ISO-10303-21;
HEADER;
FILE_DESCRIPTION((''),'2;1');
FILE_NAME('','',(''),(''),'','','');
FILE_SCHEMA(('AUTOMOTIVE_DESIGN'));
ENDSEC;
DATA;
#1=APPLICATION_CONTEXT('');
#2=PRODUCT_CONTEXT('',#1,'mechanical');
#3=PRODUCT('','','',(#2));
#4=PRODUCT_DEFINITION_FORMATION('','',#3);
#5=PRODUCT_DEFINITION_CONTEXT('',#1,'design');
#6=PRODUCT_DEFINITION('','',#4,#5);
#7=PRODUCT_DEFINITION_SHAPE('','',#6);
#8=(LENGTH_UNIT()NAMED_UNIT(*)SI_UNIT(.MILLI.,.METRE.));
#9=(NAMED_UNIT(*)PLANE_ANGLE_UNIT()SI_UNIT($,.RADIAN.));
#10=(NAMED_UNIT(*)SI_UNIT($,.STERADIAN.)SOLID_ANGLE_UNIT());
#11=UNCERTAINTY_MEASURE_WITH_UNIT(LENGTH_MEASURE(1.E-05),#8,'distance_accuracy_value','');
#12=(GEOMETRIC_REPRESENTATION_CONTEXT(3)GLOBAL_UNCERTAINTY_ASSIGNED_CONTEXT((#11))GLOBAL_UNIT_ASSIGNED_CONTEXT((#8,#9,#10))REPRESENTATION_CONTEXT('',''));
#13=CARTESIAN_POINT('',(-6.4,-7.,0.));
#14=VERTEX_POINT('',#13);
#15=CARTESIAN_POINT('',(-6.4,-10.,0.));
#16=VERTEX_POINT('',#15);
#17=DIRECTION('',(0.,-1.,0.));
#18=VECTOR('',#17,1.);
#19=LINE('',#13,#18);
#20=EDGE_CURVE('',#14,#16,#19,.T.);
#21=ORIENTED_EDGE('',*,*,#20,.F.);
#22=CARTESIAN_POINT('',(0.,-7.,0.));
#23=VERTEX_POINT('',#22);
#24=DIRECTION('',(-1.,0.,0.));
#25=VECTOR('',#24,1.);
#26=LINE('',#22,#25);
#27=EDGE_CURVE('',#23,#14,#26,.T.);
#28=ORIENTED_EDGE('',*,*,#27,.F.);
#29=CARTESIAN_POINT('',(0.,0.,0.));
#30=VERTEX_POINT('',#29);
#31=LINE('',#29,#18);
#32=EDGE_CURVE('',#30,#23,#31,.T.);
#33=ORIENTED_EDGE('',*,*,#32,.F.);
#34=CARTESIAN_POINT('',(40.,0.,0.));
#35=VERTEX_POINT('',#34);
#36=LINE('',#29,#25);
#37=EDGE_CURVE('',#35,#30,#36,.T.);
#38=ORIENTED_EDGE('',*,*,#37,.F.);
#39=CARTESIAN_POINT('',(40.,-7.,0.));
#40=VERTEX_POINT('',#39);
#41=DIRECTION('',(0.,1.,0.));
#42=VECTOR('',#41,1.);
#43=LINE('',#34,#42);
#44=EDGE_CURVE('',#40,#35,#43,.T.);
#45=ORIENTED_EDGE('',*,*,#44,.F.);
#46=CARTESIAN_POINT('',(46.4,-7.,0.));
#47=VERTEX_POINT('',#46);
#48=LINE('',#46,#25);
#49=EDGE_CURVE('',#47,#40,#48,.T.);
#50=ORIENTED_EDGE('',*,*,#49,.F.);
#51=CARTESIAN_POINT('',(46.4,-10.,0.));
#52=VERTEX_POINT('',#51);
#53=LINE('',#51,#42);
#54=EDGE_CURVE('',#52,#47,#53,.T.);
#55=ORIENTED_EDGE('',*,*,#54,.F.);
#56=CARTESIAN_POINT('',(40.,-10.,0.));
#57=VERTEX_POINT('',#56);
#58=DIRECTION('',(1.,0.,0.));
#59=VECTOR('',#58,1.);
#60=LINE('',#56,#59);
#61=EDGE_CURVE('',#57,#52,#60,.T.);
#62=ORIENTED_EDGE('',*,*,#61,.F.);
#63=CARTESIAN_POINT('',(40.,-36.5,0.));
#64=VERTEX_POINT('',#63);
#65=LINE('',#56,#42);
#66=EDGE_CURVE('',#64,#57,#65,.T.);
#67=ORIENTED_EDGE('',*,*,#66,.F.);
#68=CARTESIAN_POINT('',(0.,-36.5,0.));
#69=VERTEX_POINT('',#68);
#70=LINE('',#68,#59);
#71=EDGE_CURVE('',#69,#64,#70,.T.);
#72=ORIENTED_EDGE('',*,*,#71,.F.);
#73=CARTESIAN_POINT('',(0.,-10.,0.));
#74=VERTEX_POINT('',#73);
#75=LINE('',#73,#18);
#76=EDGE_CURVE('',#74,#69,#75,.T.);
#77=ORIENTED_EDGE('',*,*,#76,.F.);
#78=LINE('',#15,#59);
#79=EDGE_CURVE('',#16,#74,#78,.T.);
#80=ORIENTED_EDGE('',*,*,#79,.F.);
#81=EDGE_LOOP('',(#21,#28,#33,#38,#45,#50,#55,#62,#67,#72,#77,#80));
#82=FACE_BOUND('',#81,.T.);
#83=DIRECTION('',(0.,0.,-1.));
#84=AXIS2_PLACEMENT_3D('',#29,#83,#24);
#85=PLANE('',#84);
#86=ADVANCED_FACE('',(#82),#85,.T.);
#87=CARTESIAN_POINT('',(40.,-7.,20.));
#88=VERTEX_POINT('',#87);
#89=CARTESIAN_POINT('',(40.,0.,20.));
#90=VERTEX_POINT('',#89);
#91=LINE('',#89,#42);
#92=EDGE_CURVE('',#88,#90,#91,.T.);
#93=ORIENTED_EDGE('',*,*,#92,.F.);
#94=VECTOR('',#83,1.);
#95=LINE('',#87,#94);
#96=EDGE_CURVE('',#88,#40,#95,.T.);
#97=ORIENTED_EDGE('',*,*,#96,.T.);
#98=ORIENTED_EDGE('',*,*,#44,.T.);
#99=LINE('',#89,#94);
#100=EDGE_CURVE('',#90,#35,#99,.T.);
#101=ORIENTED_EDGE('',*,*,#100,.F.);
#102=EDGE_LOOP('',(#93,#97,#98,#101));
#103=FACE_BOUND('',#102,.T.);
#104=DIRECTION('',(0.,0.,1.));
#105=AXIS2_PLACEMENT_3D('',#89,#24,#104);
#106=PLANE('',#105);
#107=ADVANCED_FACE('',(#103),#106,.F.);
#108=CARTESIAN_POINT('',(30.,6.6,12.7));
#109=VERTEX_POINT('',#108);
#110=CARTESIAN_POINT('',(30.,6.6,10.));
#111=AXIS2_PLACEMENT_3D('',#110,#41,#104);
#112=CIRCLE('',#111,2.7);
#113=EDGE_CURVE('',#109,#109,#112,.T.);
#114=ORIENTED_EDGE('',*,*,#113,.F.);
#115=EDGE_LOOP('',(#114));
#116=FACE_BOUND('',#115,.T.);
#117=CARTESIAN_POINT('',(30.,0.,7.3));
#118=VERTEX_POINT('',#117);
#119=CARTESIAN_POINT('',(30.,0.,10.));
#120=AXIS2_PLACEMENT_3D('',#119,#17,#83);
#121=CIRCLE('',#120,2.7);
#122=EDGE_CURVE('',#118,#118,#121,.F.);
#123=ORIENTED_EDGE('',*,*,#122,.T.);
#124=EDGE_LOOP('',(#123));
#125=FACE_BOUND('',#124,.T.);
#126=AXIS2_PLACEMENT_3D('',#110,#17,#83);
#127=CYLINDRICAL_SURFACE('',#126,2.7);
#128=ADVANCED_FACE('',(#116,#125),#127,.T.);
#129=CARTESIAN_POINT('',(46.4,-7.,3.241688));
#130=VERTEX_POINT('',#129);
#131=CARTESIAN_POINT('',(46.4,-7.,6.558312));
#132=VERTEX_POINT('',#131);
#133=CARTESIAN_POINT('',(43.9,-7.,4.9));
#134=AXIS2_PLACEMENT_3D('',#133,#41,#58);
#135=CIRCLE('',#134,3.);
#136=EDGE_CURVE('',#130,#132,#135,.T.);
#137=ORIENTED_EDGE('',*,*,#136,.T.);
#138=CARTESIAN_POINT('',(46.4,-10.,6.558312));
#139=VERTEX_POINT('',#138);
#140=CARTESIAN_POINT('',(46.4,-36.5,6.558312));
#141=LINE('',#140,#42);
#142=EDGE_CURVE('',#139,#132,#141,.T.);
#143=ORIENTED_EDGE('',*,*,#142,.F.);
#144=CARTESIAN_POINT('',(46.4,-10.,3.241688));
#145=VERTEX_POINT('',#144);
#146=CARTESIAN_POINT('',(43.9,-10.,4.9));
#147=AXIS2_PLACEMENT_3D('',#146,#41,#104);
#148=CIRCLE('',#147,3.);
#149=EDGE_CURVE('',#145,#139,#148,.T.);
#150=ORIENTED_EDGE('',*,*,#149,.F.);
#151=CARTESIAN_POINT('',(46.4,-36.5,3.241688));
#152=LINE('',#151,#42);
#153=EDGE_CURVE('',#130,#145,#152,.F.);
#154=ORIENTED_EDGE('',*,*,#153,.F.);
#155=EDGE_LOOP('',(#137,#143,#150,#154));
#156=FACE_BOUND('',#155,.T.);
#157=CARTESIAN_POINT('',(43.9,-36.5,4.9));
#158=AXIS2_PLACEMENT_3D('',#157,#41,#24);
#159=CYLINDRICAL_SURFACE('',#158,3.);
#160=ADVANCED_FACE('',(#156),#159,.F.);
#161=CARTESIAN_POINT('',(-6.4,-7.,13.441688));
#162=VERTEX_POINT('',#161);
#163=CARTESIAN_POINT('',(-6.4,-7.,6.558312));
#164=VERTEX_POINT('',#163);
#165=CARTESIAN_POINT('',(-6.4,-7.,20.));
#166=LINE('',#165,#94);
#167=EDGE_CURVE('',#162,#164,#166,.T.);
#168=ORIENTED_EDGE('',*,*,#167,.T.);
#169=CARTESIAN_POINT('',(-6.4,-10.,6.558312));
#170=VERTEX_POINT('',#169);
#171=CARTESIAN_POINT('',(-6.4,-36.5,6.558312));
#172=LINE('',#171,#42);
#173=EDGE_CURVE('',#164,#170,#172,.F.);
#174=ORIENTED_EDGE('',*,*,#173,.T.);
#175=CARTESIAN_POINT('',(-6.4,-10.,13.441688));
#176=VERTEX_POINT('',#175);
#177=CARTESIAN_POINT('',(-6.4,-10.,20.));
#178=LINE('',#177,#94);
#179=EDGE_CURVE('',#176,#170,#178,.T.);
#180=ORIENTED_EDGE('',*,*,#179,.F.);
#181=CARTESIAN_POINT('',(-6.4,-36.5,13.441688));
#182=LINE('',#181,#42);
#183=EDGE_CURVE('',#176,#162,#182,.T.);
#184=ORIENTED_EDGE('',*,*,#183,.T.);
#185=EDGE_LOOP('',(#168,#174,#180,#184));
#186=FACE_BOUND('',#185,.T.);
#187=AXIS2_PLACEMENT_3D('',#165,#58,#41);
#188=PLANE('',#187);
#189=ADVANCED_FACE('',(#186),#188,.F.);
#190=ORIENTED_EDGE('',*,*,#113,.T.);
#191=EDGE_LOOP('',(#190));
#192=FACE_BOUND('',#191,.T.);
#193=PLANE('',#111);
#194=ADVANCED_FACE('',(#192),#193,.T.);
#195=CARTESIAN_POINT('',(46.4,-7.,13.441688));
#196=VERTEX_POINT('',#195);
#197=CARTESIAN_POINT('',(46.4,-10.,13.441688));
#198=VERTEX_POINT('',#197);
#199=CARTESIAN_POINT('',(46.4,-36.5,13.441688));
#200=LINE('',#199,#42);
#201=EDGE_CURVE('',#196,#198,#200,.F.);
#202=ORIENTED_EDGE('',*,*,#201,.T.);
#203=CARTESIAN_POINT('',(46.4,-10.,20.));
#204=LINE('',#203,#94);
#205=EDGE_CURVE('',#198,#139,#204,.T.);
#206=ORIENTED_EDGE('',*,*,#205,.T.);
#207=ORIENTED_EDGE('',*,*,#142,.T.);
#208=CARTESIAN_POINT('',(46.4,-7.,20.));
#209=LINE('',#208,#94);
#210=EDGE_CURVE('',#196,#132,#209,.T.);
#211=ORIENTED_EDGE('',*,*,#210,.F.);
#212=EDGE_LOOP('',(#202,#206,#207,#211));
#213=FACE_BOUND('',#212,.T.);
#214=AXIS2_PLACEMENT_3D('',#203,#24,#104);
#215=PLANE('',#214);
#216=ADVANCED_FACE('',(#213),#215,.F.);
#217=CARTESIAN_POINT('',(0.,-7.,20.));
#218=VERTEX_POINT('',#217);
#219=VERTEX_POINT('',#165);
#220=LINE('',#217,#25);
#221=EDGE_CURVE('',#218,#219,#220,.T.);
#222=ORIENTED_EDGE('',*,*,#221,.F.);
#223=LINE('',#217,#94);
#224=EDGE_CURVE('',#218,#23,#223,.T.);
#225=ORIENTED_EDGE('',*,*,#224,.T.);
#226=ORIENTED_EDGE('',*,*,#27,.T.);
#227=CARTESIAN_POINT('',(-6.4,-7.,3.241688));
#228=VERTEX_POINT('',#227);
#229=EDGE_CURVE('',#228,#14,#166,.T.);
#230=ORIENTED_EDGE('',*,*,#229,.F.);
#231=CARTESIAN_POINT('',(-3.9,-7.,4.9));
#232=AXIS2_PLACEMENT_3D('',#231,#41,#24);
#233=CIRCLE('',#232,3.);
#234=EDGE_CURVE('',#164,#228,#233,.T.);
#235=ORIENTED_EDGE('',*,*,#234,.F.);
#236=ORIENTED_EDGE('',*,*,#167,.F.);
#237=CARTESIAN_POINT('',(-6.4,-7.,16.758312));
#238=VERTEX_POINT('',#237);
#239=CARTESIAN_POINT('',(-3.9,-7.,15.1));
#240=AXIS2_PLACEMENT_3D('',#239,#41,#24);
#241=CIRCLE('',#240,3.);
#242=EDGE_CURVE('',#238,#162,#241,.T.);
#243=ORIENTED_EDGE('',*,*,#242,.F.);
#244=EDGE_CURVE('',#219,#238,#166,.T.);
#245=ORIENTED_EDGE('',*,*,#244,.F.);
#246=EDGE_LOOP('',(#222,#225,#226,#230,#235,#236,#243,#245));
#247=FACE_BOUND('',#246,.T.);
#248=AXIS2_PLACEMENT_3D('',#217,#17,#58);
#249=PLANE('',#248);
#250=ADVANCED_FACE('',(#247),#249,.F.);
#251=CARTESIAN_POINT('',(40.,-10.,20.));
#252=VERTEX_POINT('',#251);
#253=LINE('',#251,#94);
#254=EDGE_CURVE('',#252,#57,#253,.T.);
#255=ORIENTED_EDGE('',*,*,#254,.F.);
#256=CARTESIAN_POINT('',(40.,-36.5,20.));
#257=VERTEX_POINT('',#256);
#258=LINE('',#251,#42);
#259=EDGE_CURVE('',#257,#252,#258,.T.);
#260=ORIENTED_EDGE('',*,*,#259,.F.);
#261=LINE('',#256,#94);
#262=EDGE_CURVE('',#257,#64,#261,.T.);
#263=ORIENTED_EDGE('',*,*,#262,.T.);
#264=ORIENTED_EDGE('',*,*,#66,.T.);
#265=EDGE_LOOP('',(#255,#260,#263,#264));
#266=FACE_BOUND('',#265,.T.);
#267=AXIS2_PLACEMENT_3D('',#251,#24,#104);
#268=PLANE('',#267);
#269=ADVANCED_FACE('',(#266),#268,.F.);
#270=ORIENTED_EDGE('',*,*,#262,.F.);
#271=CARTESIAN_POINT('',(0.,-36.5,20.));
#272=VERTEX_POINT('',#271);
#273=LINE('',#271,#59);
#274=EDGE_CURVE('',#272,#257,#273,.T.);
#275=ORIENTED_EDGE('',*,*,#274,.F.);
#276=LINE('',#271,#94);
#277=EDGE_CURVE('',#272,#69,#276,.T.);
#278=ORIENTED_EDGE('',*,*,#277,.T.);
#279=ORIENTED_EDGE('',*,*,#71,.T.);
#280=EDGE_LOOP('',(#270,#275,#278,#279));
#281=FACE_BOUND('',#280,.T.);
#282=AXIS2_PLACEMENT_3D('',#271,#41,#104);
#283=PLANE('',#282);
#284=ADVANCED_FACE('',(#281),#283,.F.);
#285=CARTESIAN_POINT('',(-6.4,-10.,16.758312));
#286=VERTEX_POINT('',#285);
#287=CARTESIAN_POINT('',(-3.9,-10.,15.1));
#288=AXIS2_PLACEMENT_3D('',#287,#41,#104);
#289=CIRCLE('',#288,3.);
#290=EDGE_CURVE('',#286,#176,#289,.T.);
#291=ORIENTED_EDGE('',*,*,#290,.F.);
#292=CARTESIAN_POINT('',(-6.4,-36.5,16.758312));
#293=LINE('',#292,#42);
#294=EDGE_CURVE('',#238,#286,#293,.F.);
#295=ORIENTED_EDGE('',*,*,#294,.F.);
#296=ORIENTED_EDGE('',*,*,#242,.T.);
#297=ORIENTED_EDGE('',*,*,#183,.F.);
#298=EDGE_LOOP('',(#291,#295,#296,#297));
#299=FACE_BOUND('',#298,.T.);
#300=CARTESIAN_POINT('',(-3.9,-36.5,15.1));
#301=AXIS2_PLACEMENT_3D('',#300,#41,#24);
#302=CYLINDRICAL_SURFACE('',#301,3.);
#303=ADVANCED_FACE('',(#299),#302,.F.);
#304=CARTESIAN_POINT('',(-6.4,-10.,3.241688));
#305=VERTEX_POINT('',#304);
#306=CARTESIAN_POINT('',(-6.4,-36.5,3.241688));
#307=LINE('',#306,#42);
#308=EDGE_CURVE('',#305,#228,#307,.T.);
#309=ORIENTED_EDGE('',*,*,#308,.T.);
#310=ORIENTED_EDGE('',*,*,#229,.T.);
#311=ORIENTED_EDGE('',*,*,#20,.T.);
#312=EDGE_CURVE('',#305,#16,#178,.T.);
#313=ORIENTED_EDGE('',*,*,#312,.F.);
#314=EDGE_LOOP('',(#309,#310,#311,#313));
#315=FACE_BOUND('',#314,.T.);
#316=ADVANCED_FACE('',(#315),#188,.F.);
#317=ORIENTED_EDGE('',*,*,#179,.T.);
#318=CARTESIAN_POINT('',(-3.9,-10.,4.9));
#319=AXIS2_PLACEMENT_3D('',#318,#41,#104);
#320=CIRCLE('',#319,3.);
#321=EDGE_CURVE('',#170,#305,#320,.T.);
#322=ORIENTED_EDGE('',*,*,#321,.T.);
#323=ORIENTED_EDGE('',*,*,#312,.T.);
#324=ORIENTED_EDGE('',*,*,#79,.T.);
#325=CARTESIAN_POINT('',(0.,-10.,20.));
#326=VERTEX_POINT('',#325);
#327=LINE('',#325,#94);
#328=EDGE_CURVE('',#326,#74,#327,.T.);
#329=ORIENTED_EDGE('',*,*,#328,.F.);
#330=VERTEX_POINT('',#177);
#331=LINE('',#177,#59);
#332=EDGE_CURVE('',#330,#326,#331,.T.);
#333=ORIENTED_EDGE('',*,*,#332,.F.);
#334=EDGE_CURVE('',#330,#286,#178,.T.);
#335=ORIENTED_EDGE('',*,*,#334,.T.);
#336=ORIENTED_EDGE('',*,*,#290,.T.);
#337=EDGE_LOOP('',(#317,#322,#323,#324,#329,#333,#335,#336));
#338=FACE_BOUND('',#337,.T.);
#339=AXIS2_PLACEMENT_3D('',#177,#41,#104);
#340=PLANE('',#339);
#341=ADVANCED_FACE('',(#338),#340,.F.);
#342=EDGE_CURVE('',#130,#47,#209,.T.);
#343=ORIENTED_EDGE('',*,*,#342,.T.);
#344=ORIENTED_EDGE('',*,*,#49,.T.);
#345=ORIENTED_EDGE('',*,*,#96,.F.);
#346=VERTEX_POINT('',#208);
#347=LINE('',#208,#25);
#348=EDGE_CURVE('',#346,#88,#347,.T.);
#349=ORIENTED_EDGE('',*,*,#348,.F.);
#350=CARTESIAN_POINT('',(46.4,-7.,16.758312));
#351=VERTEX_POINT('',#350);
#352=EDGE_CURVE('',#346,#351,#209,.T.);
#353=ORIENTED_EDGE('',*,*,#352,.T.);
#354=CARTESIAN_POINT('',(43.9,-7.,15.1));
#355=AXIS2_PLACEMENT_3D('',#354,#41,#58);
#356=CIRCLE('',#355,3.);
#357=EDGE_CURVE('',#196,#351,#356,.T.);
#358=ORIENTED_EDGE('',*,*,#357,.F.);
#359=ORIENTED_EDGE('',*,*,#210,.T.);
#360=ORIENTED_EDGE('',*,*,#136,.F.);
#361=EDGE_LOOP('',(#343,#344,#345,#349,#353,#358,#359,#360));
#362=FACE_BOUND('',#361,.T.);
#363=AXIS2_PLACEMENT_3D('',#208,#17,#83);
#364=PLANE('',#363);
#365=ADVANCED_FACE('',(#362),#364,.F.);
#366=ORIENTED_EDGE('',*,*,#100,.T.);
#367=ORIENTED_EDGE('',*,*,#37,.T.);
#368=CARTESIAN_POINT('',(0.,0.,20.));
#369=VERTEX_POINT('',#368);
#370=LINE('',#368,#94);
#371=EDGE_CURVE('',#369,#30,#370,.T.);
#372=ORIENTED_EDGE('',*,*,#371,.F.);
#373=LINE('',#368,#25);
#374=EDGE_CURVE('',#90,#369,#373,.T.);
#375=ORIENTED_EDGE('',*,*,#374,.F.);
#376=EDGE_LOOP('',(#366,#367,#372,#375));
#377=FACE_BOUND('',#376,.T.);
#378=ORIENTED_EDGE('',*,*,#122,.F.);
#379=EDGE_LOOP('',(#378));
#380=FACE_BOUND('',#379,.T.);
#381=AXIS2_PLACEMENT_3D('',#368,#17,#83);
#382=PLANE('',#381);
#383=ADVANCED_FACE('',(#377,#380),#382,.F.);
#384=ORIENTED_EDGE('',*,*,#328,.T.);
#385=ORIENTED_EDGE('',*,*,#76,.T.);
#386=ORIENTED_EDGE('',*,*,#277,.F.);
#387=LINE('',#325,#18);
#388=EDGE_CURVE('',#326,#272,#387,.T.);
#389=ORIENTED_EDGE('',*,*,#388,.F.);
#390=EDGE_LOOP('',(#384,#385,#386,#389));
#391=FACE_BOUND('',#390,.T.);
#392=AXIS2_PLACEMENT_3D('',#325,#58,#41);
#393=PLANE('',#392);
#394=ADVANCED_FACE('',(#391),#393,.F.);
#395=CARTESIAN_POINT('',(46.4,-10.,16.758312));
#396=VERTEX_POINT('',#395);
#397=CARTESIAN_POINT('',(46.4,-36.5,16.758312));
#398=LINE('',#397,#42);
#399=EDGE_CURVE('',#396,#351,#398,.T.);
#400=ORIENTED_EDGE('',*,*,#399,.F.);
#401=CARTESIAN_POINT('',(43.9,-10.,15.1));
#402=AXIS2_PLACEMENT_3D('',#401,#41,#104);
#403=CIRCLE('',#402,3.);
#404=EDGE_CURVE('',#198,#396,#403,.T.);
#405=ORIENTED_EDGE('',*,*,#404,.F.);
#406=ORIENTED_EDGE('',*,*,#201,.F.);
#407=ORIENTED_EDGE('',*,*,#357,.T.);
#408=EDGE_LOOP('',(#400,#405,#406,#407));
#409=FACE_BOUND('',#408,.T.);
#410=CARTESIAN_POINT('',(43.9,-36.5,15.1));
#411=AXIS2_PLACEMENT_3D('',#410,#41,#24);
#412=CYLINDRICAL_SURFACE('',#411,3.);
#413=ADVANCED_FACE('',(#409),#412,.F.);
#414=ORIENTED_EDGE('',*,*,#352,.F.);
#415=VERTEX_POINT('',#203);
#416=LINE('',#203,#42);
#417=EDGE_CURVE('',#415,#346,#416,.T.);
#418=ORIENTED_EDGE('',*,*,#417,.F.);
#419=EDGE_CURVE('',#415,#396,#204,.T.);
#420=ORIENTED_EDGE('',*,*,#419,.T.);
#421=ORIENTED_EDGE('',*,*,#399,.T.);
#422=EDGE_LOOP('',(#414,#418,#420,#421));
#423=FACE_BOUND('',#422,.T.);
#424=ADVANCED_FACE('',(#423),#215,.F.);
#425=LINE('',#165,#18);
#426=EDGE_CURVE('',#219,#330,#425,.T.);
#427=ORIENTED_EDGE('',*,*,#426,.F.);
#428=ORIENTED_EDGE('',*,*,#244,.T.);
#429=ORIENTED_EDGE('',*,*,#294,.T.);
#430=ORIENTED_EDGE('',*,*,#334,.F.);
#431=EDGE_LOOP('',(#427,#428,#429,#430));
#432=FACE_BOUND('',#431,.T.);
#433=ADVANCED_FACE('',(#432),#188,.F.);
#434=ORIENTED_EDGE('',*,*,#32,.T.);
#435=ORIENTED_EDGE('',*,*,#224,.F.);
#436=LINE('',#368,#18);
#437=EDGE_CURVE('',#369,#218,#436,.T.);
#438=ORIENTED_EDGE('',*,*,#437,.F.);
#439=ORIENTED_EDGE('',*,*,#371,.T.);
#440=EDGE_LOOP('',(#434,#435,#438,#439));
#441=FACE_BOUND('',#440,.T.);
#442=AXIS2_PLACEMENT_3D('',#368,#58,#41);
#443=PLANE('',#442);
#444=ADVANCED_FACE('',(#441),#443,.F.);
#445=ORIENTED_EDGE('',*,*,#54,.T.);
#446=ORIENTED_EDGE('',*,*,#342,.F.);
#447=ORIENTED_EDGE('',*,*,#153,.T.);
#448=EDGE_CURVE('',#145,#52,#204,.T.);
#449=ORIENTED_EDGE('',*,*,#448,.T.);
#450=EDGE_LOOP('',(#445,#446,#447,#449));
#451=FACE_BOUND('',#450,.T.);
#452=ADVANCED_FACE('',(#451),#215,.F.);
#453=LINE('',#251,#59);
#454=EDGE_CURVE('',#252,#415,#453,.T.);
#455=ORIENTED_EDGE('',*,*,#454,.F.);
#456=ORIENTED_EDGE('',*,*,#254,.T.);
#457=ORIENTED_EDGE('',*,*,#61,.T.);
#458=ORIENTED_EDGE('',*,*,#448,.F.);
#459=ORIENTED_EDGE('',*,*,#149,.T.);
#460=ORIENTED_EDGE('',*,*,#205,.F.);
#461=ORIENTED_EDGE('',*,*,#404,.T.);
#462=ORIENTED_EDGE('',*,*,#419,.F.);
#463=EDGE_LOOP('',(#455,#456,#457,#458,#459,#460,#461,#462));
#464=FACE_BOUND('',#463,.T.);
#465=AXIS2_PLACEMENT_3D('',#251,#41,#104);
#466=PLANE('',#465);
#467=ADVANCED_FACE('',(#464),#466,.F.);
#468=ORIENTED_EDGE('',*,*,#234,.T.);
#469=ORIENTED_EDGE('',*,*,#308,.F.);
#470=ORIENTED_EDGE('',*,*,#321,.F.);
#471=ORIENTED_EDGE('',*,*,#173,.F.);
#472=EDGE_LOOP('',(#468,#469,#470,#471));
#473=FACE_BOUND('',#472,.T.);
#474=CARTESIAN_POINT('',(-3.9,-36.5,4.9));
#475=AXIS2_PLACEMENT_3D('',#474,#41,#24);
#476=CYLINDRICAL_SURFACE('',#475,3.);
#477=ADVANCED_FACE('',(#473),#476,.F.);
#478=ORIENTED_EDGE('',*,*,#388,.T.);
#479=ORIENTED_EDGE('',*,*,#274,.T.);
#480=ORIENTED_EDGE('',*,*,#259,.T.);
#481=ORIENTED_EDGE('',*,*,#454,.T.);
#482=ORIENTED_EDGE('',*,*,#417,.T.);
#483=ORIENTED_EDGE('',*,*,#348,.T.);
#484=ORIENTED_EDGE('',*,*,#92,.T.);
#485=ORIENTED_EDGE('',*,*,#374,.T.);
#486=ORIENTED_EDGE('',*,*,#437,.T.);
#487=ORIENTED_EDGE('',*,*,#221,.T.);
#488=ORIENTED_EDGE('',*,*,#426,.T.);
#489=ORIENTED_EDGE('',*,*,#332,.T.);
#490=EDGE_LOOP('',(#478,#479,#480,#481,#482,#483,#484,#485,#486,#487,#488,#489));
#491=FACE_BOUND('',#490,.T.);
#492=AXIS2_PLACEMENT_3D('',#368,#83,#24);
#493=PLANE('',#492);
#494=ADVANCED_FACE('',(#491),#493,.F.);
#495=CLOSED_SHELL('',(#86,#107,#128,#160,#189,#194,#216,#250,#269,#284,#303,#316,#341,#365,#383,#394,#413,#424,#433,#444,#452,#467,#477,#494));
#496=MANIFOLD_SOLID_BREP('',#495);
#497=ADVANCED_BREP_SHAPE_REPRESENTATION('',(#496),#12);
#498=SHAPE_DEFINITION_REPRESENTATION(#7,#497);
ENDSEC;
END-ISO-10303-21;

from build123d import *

# Parameters (mm, degrees)
EXTRUDE_1_DEPTH     = 20
SKETCH_2_R          = 3
CUT_EXTRUDE_1_DEPTH = 30.5
SKETCH_3_R          = 2.7
EXTRUDE_2_DEPTH     = 6.6


with BuildPart() as part:
    # 草圖1 → 填料-伸長1 (new body)
    with BuildSketch(Plane.XY):
        Polygon((0, -7), (-6.4, -7), (-6.4, -10), (0, -10), (0, -36.5), (40, -36.5), (40, -10), (46.4, -10), (46.4, -7), (40, -7), (40, 0), (0, 0), align=None)
    extrude(amount=EXTRUDE_1_DEPTH)

    # 草圖2 → 除料-伸長1 (cut, through all)
    with BuildSketch(Plane(origin=(0, -7, 0), x_dir=(1, 0, 0), z_dir=(0, 1, 0))):
        with Locations((-3.9, -4.9)):
            Circle(SKETCH_2_R)
        with Locations((-3.9, -15.1)):
            Circle(SKETCH_2_R)
        with Locations((43.9, -15.1)):
            Circle(SKETCH_2_R)
        with Locations((43.9, -4.9)):
            Circle(SKETCH_2_R)
    extrude(amount=-CUT_EXTRUDE_1_DEPTH, mode=Mode.SUBTRACT)

    # 草圖3 → 填料-伸長2 (add)
    with BuildSketch(Plane(origin=(0, 0, 0), x_dir=(1, 0, 0), z_dir=(0, 1, 0))):
        with Locations((30, -10)):
            Circle(SKETCH_3_R)
    extrude(amount=EXTRUDE_2_DEPTH)


solid = part.part
